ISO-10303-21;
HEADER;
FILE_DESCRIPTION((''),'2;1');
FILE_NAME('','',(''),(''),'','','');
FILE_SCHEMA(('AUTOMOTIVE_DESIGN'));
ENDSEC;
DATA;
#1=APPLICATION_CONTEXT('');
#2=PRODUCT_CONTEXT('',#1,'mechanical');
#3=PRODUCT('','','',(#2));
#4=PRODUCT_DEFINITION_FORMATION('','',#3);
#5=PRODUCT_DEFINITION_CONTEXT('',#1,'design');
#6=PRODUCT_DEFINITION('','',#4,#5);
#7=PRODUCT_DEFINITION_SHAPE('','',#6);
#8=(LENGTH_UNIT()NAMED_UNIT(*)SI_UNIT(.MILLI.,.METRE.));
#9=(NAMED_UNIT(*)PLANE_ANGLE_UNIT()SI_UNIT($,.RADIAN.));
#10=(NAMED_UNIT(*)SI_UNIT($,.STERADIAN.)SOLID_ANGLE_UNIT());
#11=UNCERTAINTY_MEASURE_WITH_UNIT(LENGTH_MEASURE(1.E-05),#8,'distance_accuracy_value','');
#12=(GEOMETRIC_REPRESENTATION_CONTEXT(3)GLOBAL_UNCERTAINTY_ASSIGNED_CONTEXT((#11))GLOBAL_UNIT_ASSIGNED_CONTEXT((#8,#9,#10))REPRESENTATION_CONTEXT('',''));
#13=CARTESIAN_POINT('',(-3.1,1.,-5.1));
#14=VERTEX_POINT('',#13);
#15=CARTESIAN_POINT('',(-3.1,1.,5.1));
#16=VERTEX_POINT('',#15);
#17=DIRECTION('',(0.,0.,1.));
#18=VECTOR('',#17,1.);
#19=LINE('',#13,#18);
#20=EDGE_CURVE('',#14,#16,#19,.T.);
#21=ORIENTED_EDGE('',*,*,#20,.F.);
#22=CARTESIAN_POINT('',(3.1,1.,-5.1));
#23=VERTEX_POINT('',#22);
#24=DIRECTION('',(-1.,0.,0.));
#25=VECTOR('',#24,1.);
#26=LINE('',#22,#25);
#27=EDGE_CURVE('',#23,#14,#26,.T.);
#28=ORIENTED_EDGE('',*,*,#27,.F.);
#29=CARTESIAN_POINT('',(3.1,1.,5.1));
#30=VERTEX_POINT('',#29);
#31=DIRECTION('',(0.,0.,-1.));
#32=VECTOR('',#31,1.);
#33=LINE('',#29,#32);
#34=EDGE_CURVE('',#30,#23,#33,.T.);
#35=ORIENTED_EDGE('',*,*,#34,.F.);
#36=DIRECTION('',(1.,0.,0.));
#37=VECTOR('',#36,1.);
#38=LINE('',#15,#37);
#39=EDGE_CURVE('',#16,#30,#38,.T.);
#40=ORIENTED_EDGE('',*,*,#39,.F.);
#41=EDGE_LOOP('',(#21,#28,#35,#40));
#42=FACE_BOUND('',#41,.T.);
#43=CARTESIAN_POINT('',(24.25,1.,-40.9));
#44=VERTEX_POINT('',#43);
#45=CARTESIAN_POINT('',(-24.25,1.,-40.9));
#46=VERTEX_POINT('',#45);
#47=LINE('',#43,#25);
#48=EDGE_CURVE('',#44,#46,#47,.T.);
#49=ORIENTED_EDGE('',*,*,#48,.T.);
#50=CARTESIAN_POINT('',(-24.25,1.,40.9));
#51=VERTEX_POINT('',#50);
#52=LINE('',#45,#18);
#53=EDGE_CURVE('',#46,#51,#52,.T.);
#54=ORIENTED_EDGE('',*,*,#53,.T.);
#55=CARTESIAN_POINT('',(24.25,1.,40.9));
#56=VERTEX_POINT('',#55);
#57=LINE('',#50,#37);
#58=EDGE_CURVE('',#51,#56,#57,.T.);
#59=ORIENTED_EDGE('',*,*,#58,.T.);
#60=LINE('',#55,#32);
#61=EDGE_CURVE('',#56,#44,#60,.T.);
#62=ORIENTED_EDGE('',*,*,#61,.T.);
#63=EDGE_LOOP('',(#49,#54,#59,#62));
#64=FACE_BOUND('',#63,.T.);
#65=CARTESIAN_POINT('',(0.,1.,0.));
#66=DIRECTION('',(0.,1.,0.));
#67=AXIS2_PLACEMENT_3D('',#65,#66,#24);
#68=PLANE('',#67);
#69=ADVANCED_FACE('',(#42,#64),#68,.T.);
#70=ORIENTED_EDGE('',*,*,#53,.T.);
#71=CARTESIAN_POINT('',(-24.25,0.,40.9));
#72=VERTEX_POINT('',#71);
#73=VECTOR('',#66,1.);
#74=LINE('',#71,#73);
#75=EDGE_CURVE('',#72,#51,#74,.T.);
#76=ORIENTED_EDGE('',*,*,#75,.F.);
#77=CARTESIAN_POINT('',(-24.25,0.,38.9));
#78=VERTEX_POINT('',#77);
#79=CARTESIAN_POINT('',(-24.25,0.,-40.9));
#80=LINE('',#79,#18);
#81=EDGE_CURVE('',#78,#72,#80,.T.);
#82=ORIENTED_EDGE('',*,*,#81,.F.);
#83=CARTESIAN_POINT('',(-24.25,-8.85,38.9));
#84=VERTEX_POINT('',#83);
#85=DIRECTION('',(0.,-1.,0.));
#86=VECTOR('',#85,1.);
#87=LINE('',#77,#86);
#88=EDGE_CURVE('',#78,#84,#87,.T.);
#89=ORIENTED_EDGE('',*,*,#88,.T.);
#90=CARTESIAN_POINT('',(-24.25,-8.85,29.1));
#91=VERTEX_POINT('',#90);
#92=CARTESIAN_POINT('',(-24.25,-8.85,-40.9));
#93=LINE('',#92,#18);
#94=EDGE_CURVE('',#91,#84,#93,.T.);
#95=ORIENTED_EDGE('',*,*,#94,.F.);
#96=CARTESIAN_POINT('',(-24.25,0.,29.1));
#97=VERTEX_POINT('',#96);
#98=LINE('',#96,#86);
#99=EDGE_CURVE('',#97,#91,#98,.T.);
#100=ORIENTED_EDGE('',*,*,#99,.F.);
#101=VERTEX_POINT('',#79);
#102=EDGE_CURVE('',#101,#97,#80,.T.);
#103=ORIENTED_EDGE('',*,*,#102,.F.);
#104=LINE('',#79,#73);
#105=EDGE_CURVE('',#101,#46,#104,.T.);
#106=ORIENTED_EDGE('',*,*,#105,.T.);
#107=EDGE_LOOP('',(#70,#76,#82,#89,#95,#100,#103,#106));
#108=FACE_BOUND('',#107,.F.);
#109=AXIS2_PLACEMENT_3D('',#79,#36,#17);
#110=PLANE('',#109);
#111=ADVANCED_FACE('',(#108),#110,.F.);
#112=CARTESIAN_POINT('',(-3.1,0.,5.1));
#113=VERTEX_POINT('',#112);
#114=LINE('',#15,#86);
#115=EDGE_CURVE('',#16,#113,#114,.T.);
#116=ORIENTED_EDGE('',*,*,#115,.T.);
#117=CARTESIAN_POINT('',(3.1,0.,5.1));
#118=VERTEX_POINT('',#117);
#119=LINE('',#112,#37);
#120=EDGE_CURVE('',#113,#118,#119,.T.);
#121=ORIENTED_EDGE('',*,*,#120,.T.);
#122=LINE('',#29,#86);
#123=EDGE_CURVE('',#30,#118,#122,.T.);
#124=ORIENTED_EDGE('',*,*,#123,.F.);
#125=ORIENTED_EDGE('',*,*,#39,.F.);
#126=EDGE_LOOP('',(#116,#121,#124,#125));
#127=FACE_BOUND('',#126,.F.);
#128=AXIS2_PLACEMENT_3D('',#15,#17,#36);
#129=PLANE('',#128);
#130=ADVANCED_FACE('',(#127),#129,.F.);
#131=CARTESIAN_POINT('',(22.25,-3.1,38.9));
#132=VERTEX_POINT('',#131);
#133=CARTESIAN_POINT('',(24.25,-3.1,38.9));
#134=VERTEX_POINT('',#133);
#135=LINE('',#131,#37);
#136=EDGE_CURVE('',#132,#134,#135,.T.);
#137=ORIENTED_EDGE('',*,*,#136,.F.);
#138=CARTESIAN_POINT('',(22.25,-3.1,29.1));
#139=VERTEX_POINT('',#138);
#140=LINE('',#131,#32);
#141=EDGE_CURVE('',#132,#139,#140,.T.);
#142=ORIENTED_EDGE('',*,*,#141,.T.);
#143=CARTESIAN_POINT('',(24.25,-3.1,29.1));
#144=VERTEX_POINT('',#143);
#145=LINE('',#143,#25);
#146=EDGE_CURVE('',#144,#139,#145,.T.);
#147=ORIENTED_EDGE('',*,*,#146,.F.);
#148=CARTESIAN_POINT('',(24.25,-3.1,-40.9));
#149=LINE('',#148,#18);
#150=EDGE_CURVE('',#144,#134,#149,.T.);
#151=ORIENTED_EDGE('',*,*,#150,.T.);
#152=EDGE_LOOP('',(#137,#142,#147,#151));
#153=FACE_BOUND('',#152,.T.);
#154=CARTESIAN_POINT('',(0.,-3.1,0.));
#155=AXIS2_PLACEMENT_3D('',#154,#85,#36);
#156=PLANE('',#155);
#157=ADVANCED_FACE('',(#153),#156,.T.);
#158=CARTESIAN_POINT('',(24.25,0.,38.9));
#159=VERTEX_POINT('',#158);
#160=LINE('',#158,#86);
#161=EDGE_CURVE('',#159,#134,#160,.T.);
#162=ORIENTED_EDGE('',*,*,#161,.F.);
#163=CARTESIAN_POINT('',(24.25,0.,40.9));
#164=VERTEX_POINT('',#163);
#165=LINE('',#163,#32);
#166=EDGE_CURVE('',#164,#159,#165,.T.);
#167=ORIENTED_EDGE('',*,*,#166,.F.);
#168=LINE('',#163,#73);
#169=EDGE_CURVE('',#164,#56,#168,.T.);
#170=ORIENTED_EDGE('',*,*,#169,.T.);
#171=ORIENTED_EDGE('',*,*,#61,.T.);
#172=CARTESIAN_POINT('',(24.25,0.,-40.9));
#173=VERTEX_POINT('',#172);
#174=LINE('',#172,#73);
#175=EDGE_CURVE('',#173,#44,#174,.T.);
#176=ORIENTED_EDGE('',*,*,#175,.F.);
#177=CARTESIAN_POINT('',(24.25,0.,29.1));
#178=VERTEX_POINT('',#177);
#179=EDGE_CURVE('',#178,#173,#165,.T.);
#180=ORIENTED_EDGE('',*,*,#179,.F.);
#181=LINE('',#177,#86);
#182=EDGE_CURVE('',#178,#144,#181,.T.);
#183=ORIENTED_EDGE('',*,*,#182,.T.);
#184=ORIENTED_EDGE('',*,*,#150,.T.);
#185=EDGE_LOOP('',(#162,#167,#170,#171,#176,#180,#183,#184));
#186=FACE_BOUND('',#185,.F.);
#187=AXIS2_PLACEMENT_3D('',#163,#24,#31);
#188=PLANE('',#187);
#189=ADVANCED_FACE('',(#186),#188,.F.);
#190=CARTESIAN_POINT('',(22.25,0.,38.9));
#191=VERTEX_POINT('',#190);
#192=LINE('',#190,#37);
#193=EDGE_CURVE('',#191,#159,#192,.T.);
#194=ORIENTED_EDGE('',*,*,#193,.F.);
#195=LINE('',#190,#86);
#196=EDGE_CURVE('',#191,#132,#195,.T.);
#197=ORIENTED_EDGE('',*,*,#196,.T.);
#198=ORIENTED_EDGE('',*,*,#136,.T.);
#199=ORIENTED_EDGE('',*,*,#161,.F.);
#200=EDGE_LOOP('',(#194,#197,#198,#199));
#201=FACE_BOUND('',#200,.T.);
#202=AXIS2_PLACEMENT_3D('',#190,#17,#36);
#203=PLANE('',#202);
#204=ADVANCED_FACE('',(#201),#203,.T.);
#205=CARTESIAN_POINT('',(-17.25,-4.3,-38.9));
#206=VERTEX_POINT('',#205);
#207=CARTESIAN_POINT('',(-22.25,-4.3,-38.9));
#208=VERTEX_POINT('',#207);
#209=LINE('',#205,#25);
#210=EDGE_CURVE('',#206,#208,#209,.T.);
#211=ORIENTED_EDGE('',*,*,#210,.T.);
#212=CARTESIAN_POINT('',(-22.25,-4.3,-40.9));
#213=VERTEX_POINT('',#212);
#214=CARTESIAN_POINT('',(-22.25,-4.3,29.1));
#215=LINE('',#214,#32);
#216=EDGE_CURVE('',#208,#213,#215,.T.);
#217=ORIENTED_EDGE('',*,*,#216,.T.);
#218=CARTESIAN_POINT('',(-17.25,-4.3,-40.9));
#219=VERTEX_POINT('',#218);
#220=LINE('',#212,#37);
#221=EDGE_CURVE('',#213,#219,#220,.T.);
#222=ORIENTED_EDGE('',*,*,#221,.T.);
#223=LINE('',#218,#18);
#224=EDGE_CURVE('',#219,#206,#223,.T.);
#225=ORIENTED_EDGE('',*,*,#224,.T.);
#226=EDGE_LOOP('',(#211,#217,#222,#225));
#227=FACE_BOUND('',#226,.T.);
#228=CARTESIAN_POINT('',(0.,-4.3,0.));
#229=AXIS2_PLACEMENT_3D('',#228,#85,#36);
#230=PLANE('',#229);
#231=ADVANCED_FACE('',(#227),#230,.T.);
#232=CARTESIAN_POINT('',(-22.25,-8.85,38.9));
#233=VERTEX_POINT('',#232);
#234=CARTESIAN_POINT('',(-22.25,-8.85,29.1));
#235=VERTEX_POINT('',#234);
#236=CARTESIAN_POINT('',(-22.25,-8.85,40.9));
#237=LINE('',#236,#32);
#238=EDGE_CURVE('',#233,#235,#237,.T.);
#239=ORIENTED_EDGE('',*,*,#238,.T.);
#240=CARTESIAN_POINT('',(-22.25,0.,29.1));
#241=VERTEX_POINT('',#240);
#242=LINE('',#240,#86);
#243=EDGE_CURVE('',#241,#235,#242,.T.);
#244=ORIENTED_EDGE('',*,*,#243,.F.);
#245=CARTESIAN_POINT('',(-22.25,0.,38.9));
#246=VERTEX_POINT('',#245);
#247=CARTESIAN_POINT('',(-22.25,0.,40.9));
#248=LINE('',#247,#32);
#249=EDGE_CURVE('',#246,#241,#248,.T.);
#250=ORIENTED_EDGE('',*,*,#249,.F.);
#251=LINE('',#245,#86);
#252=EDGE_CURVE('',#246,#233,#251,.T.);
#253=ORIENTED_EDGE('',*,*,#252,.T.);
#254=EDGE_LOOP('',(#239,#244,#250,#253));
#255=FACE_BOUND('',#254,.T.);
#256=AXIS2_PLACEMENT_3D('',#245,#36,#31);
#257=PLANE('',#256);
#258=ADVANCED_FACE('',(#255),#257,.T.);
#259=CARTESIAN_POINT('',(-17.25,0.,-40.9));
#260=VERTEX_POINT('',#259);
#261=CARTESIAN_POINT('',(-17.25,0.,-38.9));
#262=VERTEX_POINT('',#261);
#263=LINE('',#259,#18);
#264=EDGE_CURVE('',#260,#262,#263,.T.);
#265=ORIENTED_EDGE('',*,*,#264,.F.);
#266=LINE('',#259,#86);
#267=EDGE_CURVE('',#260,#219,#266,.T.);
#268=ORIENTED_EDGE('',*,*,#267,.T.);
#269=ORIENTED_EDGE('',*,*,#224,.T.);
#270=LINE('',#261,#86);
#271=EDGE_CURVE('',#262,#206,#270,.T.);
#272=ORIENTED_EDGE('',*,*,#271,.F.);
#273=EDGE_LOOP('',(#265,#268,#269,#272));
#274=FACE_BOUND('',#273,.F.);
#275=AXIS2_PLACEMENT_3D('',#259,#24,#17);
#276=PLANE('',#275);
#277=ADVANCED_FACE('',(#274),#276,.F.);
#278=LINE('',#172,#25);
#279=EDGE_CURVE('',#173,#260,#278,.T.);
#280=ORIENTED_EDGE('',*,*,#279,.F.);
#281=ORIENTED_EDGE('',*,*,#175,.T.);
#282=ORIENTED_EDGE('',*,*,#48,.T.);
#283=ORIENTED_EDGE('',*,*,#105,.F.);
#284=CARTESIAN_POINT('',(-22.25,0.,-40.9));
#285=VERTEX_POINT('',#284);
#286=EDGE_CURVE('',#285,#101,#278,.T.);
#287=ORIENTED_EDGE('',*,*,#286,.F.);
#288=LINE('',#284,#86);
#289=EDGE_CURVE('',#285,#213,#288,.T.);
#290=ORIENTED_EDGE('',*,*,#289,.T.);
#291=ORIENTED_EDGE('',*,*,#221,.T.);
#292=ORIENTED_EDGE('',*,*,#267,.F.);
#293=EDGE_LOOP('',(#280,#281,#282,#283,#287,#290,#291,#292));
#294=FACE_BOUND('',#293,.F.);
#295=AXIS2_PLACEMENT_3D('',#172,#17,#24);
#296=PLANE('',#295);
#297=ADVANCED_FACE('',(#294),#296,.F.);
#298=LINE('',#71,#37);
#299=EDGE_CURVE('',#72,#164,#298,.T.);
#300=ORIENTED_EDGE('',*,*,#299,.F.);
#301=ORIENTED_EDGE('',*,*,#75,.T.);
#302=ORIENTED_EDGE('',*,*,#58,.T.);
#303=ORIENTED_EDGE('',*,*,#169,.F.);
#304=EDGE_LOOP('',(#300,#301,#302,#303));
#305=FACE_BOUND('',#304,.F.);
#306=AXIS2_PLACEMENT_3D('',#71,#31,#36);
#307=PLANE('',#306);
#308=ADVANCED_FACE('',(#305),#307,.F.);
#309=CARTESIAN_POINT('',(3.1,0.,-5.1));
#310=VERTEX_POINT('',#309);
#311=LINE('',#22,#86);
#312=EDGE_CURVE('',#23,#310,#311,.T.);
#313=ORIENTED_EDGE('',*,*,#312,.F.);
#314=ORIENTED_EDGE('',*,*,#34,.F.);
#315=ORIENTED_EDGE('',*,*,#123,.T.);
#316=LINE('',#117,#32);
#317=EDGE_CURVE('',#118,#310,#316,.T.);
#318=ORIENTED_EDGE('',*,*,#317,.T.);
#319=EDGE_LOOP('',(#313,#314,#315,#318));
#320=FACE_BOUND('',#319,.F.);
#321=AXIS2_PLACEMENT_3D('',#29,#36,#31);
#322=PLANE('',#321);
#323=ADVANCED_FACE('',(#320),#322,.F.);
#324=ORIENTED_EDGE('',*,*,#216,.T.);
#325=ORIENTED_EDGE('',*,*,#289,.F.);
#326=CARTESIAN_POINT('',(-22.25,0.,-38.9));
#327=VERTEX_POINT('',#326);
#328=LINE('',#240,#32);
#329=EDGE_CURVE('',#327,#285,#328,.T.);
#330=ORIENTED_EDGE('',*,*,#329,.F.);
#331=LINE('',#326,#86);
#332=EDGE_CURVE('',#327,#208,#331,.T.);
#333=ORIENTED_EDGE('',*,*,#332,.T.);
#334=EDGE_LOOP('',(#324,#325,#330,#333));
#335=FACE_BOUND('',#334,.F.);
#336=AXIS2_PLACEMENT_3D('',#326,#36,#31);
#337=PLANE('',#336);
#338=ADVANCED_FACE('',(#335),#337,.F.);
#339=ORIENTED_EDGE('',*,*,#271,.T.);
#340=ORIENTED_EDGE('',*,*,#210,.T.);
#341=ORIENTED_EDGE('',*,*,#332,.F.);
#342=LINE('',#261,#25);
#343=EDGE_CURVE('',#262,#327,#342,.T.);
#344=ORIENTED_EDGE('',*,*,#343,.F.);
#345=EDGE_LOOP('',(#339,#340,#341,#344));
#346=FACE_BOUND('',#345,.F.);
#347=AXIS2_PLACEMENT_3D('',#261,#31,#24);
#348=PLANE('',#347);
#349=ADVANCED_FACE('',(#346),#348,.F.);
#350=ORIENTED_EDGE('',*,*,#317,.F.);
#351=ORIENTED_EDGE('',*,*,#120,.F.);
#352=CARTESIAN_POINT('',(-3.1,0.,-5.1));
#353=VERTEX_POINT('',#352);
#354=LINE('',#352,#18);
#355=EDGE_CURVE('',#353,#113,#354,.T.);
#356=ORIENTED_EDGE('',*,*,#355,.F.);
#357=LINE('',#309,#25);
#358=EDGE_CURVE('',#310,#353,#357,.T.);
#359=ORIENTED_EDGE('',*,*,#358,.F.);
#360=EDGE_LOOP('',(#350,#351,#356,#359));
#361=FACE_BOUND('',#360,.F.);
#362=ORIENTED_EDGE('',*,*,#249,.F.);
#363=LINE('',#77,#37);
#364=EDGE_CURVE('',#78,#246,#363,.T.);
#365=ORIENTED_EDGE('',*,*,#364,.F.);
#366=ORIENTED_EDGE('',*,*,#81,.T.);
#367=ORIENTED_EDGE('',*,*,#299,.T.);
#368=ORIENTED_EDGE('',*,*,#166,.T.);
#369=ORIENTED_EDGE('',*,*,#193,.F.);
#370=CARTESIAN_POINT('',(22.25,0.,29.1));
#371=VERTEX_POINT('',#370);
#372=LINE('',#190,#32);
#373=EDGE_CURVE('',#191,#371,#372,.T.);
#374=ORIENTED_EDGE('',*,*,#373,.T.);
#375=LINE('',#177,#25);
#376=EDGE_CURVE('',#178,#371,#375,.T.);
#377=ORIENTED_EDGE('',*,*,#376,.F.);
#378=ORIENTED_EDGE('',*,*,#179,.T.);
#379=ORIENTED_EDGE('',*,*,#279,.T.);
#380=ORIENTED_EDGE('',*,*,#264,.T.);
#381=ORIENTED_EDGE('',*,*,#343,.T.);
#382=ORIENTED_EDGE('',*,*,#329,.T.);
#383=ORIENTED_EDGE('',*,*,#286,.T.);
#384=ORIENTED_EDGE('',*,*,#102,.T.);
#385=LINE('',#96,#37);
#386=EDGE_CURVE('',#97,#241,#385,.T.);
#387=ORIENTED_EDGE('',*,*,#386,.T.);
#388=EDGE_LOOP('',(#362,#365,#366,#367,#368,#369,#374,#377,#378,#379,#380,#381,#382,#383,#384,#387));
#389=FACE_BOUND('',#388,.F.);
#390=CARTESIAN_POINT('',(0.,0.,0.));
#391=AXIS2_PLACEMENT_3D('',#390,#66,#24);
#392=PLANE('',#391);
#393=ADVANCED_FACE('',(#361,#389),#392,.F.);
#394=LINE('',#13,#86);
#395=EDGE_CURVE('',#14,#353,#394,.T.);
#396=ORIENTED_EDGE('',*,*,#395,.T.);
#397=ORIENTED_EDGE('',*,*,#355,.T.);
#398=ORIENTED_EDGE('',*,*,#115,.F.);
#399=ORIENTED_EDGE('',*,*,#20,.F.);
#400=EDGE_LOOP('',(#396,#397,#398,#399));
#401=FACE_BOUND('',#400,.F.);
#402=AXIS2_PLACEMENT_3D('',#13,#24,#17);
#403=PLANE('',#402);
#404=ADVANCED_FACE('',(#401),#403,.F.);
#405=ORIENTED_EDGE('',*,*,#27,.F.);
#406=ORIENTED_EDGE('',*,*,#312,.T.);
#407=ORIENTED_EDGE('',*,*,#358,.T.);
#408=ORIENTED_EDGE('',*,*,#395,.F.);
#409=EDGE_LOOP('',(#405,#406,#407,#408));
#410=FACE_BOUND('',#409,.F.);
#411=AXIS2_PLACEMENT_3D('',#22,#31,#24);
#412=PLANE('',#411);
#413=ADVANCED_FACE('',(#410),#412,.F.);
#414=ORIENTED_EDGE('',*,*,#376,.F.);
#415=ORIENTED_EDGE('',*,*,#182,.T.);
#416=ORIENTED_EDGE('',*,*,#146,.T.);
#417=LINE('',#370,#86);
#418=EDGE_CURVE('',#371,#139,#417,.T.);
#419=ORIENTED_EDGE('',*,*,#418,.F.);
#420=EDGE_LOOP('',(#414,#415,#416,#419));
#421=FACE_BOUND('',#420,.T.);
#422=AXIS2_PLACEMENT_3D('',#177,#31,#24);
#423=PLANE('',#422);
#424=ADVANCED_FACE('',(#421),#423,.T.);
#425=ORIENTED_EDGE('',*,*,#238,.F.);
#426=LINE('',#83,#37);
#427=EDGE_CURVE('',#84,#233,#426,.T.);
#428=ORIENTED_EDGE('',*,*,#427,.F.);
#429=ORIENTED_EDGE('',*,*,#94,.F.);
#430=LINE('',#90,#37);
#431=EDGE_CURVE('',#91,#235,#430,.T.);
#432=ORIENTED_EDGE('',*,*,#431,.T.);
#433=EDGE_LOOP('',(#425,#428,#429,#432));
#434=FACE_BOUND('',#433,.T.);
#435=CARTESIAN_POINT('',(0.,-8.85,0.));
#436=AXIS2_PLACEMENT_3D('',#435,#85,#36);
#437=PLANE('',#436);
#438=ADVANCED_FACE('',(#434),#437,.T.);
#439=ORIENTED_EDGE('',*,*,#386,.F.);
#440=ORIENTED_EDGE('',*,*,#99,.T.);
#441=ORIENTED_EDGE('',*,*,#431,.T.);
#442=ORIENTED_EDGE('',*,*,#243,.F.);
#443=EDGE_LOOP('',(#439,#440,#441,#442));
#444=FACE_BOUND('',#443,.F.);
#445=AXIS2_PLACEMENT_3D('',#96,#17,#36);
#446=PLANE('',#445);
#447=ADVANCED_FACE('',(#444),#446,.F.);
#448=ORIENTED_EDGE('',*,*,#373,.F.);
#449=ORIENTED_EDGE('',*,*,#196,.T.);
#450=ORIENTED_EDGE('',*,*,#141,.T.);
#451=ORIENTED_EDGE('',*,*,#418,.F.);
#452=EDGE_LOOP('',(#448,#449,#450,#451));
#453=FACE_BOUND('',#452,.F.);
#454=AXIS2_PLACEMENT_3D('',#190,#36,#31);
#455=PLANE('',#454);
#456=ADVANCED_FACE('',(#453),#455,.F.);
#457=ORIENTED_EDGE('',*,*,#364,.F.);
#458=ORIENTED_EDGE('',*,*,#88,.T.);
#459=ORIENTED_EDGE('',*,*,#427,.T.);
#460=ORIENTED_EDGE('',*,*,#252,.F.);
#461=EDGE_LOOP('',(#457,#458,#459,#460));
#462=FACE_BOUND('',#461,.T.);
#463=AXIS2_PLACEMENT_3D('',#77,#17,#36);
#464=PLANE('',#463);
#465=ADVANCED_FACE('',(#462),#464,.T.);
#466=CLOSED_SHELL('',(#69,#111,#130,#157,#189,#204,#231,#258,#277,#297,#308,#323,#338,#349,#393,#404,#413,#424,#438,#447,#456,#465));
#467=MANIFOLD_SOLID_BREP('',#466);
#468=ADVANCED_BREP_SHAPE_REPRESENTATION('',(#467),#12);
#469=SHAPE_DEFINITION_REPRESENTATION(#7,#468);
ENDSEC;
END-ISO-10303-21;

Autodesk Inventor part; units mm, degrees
ref_plane "YZ Plane" through (0, 0, 0) normal (1, 0, 0) x (0, 1, 0)
ref_plane "XZ Plane" through (0, 0, 0) normal (0, 1, 0) x (-1, 0, 0)
ref_plane "XY Plane" through (0, 0, 0) normal (0, 0, 1) x (1, 0, 0)
sketch "Boceto1" plane through (0, 0, 0) normal (0, 1, 0) x (-1, 0, 0)
  line L0 (-24.25, -40.9) -> (24.25, -40.9)
  line L1 (24.25, -40.9) -> (24.25, 40.9)
  line L2 (24.25, 40.9) -> (-24.25, 40.9)
  line L3 (-24.25, 40.9) -> (-24.25, -40.9)
  line L4 (-24.25, -40.9) -> (24.25, 40.9) construction
  line L5 (24.25, -40.9) -> (-24.25, 40.9) construction
  point P0 (0, 0)
  dimension "d0" = 48.5
  dimension "d1" = 81.8
extrude "Extrusión1" add sketch "Boceto1" along normal blind 1
sketch "Boceto2" plane through (0, 1, 0) normal (0, 1, 0) x (1, 0, 0)
  line L0 (3.1, 5.1) -> (-3.1, 5.1)
  line L1 (-3.1, 5.1) -> (-3.1, -5.1)
  line L2 (-3.1, -5.1) -> (3.1, -5.1)
  line L3 (3.1, -5.1) -> (3.1, 5.1)
  line L4 (3.1, 5.1) -> (-3.1, -5.1) construction
  line L5 (-3.1, 5.1) -> (3.1, -5.1) construction
  point P0 (0, 0)
  dimension "d4" = 6.2
  dimension "d5" = 10.2
extrude "Extrusión2" cut sketch "Boceto2" against normal blind 1
sketch "Boceto3" plane through (0, 0, 0) normal (0, -1, 0) x (1, 0, 0)
  line L0 (-22.25, -40.9) -> (-17.25, -40.9) projected
  line L1 (-17.25, -38.9) -> (-22.25, -38.9) projected
  line L2 (-17.25, -40.9) -> (-17.25, -38.9) projected
  line L3 (-22.25, 29.1) -> (-22.25, -40.9) projected
  line L4 (-22.25, 29.1) -> (-24.25, 29.1) projected
  line L5 (22.25, 38.9) -> (-24.25, 38.9) projected
  line L6 (-24.25, 29.1) -> (32.137, 29.1)
  line L7 (32.137, 29.1) -> (32.137, 38.9)
  line L8 (32.137, 38.9) -> (-24.25, 38.9)
  line L9 (-24.25, 38.9) -> (-24.25, 29.1)
  line L10 (-17.25, -40.9) -> (-22.25, -40.9)
  line L11 (-22.25, -40.9) -> (-22.25, -38.9)
  line L12 (-22.25, -38.9) -> (-17.25, -38.9)
  line L13 (-17.25, -38.9) -> (-17.25, -40.9)
  point P0 (0, 0)
extrude "Extrusión3" add sketch "Boceto3" along normal blind 4.3 contours L3 L1 L2 L0
sketch "Boceto4" plane through (0, 0, 0) normal (0, -1, 0) x (1, 0, 0)
  line L0 (-24.25, 29.1) -> (-22.25, 29.1) projected
  line L1 (-24.25, -40.9) -> (-24.25, 40.9) projected
  line L2 (-22.25, 29.1) -> (-24.25, 29.1)
  line L3 (-24.25, 29.1) -> (-24.25, 40.9)
  line L4 (-24.25, 40.9) -> (-22.25, 40.9)
  line L5 (-22.25, 40.9) -> (-22.25, 29.1)
  line L6 (-24.25, 38.9) -> (22.25, 38.9) projected
  point P0 (0, 0)
  point P1 (-22.25, 38.9)
extrude "Extrusión4" add sketch "Boceto4" along normal blind 8.85 contours L1 L6 L5 L0
sketch "Boceto5" plane through (0, 0, 0) normal (0, -1, 0) x (1, 0, 0)
  line L0 (24.25, -40.9) -> (24.25, 40.9) projected
  line L1 (24.25, 40.9) -> (-24.25, 40.9) projected
  line L2 (22.25, 38.9) -> (22.25, 29.1) projected
  line L3 (-24.25, 38.9) -> (22.25, 38.9) projected
  line L4 (22.25, 29.1) -> (-17.25, 29.1) projected
  line L5 (22.25, 38.9) -> (24.25, 38.9)
  line L6 (24.25, 38.9) -> (24.25, 29.1)
  line L7 (24.25, 29.1) -> (22.25, 29.1)
  line L8 (22.25, 29.1) -> (22.25, 38.9)
  point P0 (0, 0)
extrude "Extrusión5" add sketch "Boceto5" along normal blind 3.1
properties part number "TapaBaterias"
